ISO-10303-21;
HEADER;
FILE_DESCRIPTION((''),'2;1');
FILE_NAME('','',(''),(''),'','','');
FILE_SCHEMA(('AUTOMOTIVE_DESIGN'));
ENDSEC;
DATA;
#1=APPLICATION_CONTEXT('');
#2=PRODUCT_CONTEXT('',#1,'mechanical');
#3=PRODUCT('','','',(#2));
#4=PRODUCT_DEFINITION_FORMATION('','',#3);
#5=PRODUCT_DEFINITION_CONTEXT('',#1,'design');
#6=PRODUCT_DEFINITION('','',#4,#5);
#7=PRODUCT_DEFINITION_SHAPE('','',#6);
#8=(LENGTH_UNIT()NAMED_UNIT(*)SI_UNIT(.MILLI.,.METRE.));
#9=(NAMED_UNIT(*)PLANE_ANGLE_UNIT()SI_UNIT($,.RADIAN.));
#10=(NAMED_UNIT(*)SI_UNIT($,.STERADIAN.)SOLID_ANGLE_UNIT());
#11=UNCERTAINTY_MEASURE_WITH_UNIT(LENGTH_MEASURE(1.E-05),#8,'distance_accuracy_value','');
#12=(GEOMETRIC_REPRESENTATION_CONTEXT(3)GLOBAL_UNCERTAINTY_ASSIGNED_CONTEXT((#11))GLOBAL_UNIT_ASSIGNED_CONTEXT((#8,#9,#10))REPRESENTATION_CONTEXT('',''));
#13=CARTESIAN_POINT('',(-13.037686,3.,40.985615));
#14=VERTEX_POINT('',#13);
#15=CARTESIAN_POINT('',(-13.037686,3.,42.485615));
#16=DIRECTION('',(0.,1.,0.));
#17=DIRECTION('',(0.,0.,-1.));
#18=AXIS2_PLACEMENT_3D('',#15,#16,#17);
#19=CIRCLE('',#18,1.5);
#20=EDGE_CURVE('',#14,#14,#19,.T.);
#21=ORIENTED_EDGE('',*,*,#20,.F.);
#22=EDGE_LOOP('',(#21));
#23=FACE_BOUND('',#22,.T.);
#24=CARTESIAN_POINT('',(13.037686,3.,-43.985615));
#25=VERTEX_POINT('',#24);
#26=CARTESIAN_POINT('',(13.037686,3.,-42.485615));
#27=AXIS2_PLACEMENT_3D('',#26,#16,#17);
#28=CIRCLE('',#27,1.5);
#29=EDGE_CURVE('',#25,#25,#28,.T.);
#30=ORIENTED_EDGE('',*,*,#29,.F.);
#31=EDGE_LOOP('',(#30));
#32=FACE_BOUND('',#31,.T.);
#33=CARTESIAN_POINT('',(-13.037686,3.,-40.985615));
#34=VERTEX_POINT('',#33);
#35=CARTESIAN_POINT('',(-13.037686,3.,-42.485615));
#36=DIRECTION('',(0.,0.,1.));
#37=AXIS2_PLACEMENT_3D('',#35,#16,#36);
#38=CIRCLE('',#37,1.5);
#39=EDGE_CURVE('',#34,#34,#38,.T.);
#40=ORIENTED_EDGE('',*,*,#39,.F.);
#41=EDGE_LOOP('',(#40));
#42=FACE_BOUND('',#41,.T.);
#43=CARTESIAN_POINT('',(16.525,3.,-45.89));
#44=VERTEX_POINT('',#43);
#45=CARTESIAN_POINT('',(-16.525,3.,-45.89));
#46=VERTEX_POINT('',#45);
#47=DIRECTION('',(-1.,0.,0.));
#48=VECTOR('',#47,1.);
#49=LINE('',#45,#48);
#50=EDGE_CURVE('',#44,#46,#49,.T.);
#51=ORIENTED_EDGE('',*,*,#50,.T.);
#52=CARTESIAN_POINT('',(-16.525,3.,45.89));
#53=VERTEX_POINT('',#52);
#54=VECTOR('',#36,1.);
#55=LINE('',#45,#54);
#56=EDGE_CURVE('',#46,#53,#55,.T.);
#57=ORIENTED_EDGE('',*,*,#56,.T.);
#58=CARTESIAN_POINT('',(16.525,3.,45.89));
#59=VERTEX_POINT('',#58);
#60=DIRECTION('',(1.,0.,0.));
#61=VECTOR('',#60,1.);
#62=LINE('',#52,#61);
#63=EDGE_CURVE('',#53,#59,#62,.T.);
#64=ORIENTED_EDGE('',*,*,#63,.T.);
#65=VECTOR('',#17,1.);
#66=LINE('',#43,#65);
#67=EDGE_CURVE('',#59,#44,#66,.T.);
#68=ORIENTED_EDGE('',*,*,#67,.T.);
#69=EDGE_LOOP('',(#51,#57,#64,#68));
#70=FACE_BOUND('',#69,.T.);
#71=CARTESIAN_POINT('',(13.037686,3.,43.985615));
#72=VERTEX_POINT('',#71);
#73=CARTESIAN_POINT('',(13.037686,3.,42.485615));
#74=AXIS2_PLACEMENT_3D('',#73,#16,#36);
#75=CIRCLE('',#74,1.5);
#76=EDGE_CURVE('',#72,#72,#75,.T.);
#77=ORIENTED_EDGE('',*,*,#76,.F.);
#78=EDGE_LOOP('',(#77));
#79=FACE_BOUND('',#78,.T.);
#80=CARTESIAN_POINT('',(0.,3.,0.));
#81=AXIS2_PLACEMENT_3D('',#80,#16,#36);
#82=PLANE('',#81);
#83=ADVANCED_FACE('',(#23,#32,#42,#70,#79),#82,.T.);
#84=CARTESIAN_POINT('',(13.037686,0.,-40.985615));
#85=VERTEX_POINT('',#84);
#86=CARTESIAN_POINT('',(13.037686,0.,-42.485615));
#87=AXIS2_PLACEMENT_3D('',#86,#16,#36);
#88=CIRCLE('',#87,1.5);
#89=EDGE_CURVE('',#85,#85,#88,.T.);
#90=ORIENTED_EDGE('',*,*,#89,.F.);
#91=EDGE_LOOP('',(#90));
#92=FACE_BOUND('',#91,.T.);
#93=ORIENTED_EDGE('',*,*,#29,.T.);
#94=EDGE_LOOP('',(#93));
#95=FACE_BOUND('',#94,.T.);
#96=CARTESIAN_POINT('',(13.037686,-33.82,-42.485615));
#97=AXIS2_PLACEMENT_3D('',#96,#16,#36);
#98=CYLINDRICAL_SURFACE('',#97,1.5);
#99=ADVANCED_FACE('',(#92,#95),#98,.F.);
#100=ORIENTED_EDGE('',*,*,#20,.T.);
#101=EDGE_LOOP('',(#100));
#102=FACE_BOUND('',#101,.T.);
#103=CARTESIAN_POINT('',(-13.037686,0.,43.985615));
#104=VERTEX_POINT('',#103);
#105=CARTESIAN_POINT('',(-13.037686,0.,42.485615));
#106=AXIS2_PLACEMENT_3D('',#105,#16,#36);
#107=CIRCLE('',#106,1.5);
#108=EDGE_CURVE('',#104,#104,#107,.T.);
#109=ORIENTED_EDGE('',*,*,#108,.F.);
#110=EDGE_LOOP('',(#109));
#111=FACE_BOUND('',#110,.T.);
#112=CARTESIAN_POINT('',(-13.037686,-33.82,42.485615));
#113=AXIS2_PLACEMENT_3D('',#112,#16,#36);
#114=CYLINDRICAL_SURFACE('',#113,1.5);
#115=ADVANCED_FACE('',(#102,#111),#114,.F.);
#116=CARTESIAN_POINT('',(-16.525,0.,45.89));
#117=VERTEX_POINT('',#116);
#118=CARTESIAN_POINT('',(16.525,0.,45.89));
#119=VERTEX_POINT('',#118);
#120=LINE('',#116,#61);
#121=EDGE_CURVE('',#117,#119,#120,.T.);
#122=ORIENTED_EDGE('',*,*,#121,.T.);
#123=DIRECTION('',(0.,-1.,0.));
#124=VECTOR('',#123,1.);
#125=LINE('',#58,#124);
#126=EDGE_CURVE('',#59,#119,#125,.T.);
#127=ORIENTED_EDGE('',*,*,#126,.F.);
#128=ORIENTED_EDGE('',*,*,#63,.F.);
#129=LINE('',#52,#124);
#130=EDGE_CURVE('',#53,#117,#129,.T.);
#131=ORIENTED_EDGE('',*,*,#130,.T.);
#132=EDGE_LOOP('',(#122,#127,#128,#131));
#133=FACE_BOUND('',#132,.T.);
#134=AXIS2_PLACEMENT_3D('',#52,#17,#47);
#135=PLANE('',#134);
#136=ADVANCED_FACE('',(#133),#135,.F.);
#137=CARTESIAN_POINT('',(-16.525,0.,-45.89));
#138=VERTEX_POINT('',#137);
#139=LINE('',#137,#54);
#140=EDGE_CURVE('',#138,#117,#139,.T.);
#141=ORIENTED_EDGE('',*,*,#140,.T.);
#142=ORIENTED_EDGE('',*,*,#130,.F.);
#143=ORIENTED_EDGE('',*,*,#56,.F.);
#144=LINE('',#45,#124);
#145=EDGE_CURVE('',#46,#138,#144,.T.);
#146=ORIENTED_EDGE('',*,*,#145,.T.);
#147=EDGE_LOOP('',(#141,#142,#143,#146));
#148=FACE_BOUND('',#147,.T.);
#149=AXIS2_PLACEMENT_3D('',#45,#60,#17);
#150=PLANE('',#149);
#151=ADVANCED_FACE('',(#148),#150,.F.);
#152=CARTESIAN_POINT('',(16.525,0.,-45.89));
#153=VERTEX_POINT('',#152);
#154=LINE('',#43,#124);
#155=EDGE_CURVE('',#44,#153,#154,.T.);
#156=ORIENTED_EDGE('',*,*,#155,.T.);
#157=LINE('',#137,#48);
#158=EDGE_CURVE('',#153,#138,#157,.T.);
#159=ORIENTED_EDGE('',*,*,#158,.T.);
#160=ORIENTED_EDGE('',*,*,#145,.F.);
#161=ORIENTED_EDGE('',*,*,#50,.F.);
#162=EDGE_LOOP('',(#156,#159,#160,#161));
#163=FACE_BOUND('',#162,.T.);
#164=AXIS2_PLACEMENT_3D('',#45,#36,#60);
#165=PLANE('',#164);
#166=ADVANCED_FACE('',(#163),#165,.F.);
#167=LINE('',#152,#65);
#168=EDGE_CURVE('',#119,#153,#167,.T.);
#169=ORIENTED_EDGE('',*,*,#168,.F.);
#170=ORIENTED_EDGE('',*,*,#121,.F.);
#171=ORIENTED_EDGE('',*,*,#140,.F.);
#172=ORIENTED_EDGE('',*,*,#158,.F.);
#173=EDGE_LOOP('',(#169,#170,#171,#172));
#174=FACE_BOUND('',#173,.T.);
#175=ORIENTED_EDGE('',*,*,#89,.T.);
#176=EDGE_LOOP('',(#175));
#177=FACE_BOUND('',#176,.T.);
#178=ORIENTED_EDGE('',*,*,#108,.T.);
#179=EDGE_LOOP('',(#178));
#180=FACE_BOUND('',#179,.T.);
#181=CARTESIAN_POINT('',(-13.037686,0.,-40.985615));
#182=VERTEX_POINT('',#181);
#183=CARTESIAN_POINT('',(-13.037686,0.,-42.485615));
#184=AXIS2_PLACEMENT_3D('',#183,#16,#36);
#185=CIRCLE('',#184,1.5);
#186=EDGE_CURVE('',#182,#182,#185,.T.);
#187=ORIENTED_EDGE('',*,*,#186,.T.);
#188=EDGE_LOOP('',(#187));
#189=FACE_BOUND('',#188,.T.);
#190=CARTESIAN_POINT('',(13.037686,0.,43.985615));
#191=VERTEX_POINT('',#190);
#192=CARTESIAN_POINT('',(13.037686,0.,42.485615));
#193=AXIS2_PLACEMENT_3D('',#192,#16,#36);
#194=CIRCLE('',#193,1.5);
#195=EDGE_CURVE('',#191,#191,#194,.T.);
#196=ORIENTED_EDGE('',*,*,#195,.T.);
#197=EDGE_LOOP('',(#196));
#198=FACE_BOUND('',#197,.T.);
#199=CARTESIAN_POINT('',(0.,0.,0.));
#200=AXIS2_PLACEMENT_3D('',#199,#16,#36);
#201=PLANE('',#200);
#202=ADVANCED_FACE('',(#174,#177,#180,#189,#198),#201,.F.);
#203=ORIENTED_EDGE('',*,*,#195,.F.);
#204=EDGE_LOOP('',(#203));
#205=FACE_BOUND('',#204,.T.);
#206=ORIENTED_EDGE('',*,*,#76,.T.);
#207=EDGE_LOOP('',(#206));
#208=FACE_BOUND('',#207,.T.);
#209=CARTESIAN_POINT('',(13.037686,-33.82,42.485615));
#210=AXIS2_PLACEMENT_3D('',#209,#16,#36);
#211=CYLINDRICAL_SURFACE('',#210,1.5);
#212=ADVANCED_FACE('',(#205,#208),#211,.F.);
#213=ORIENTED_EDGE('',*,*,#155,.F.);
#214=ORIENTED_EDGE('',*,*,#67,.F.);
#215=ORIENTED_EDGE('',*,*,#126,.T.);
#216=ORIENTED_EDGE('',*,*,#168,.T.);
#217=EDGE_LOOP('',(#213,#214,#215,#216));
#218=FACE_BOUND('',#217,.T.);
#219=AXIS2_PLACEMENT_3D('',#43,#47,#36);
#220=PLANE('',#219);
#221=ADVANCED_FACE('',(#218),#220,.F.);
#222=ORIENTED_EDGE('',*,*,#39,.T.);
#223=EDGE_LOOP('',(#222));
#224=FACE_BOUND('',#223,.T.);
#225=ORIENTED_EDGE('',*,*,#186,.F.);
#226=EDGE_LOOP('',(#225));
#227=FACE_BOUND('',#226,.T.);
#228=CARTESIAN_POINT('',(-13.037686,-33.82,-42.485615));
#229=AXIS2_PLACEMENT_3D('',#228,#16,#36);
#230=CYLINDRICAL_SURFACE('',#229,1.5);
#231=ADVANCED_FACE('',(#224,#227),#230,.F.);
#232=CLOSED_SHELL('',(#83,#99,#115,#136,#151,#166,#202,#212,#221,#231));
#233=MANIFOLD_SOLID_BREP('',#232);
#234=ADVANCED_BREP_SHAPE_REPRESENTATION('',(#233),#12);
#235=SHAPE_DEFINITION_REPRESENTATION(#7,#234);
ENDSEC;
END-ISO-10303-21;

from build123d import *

# Parameters (mm, degrees)
SKETCH_1_W          = 33.05
SKETCH_1_H          = 91.78
EXTRUDE_1_DEPTH     = 3
SKETCH_2_R          = 1.5
CUT_EXTRUDE_1_DEPTH = 36.82


with BuildPart() as part:
    # 草图1 → 凸台-拉伸1 (new body)
    with BuildSketch(Plane(origin=(0, 0, 0), x_dir=(1, 0, 0), z_dir=(0, 1, 0))):
        Rectangle(SKETCH_1_W, SKETCH_1_H)
    extrude(amount=EXTRUDE_1_DEPTH)

    # 草图2 → 切除-拉伸1 (cut)
    with BuildSketch(Plane(origin=(0, 3, 0), x_dir=(1, 0, 0), z_dir=(0, 1, 0))):
        with Locations(Location((13.037686279, -42.48561498, 0), (0, 0, 270))):
            Circle(SKETCH_2_R)
        with Locations(Location((-13.037686279, -42.48561498, 0), (0, 0, 270))):
            Circle(SKETCH_2_R)
        with Locations(Location((-13.037686279, 42.48561498, 0), (0, 0, 270))):
            Circle(SKETCH_2_R)
        with Locations(Location((13.037686279, 42.48561498, 0), (0, 0, 270))):
            Circle(SKETCH_2_R)
    extrude(amount=-CUT_EXTRUDE_1_DEPTH, mode=Mode.SUBTRACT)


solid = part.part
